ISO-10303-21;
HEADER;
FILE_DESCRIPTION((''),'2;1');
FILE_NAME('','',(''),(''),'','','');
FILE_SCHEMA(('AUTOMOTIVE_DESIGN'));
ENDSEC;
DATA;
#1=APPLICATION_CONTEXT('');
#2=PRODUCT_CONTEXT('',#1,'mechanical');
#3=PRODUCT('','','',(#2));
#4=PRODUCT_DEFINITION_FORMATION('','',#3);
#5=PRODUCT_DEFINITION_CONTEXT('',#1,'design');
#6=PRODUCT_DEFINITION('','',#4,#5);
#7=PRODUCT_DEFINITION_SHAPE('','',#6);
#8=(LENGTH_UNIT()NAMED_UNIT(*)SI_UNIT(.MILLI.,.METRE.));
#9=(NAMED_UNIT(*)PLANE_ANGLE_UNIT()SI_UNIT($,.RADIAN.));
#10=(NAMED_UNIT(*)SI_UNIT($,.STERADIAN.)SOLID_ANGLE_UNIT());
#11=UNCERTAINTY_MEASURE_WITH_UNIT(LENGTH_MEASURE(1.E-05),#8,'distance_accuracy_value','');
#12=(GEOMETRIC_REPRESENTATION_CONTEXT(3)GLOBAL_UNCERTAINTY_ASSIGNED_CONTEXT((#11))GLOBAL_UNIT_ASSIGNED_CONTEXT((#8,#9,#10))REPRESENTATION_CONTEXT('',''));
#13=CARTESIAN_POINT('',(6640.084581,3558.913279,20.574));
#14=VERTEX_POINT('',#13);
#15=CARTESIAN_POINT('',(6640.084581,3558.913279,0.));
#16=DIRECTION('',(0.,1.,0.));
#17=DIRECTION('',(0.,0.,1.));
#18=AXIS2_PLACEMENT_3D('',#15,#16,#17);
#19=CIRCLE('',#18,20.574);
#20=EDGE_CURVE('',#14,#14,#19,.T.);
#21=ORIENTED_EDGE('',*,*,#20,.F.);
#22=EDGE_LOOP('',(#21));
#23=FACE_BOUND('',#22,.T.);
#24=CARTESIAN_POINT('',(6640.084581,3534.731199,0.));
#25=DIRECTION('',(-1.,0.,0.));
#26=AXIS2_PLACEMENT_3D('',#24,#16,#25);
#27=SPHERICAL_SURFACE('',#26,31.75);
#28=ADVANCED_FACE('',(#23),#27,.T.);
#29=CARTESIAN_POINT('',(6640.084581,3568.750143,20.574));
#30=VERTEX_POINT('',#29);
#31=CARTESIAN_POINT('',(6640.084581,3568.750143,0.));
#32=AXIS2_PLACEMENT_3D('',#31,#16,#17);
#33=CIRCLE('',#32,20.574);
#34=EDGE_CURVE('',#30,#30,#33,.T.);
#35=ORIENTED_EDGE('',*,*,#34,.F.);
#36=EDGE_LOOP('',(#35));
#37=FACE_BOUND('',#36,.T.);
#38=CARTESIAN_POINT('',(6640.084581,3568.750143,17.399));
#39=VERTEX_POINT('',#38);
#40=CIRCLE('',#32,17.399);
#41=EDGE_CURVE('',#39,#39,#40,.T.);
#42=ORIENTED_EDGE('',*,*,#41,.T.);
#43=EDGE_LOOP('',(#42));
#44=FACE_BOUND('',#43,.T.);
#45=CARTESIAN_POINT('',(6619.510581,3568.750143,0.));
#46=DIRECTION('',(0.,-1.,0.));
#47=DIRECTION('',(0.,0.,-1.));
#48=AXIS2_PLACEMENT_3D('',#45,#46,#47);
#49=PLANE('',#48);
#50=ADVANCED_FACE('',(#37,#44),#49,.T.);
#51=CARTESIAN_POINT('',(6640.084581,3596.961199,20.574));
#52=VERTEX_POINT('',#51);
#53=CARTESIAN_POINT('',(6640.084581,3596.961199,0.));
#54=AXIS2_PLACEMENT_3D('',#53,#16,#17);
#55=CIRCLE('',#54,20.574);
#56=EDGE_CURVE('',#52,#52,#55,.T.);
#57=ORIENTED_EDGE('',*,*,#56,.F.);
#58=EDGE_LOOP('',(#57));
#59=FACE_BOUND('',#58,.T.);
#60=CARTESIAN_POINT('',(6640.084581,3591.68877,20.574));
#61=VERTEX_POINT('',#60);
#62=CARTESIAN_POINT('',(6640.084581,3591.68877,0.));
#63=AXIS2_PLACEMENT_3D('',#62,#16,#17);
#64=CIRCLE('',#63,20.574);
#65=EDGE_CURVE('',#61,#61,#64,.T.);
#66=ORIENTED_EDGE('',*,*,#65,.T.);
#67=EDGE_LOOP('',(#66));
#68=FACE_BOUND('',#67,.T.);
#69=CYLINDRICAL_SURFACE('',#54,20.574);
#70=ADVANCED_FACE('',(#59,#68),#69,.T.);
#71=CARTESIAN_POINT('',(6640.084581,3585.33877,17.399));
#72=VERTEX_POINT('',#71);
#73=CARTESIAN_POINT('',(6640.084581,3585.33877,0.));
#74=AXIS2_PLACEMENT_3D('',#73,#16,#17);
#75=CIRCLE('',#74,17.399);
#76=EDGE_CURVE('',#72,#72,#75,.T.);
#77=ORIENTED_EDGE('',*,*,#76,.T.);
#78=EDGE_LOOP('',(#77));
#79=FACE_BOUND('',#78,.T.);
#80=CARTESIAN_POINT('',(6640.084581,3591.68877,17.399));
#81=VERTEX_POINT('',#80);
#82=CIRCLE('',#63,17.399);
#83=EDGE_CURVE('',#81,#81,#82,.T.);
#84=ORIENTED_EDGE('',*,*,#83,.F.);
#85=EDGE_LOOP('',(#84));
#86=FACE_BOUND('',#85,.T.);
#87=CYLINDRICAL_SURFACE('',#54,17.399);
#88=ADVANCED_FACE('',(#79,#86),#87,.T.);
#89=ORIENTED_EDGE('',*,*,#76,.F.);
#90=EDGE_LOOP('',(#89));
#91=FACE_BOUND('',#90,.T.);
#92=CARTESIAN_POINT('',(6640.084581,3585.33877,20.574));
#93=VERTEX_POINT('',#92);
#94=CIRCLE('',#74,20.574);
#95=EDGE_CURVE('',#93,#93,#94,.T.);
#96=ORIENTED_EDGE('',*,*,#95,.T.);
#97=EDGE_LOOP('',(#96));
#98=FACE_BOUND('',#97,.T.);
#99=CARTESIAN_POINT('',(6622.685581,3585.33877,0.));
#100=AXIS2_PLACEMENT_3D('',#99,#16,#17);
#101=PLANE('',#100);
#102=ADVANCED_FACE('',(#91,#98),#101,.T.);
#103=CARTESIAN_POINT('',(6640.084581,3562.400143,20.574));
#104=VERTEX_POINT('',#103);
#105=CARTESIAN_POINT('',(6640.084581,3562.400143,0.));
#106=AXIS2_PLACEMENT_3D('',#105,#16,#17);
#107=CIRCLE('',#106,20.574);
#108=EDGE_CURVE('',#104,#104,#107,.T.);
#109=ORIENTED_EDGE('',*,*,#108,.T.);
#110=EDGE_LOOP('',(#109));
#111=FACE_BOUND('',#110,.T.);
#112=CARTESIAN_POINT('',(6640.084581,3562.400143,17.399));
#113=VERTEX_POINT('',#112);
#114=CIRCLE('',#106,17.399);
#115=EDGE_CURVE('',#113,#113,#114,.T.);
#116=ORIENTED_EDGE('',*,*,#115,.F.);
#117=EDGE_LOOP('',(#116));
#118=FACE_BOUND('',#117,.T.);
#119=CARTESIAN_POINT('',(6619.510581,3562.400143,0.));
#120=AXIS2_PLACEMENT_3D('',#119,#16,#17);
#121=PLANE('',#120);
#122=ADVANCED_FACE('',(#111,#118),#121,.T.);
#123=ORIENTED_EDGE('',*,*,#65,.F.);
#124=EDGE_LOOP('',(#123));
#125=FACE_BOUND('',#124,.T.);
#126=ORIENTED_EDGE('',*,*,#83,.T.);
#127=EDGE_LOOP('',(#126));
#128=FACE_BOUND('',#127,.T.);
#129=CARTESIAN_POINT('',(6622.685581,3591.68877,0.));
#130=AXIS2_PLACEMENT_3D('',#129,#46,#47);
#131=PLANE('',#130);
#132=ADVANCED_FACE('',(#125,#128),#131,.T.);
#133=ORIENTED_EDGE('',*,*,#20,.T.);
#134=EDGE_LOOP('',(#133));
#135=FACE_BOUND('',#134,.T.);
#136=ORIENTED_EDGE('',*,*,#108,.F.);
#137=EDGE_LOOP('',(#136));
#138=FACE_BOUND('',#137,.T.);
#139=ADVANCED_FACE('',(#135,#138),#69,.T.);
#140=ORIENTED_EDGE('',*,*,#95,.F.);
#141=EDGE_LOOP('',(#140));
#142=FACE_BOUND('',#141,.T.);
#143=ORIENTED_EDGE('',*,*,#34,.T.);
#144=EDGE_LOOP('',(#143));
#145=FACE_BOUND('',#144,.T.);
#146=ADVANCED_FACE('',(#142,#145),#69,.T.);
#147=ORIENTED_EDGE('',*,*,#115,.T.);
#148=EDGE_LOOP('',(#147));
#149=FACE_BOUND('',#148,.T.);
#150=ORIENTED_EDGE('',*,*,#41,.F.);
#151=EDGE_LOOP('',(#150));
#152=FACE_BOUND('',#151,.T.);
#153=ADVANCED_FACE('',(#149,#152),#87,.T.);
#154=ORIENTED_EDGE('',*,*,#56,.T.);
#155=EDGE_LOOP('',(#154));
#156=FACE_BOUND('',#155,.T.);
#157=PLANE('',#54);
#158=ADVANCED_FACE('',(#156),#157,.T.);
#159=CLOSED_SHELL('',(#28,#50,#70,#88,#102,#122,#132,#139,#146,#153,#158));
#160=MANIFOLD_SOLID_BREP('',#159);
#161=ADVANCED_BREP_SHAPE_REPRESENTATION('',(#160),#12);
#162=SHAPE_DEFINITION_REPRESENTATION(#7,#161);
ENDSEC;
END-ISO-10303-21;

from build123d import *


with BuildPart() as part:
    # Sketch1 → Revolve1 (revolve)
    with BuildSketch(Plane.XY, mode=Mode.PRIVATE) as revolve1_sk:
        with BuildLine():
            Line((6640.084580843, 3596.961198709), (6640.084580843, 3502.981198709))
            ThreePointArc((6640.084580843, 3502.981198709), (6610.286564464, 3523.770326487), (6619.510580843, 3558.913279348))
            Line((6619.510580843, 3558.913279348), (6619.510580843, 3562.400142715))
            Line((6619.510580843, 3562.400142715), (6622.685580843, 3562.400142715))
            Line((6622.685580843, 3562.400142715), (6622.685580843, 3568.750142715))
            Line((6622.685580843, 3568.750142715), (6619.510580843, 3568.750142715))
            Line((6619.510580843, 3568.750142715), (6619.510580843, 3585.338770448))
            Line((6619.510580843, 3585.338770448), (6622.685580843, 3585.338770448))
            Line((6622.685580843, 3585.338770448), (6622.685580843, 3591.688770448))
            Line((6622.685580843, 3591.688770448), (6619.510580843, 3591.688770448))
            Line((6619.510580843, 3591.688770448), (6619.510580843, 3596.961198709))
            Line((6619.510580843, 3596.961198709), (6640.084580843, 3596.961198709))
        make_face()
    revolve(revolve1_sk.sketch.rotate(Axis((6640.084580843, 3596.961198709, 0), (0, -1, 0)), 270), axis=Axis((6640.084580843, 3596.961198709, 0), (0, -1, 0)))


solid = part.part
